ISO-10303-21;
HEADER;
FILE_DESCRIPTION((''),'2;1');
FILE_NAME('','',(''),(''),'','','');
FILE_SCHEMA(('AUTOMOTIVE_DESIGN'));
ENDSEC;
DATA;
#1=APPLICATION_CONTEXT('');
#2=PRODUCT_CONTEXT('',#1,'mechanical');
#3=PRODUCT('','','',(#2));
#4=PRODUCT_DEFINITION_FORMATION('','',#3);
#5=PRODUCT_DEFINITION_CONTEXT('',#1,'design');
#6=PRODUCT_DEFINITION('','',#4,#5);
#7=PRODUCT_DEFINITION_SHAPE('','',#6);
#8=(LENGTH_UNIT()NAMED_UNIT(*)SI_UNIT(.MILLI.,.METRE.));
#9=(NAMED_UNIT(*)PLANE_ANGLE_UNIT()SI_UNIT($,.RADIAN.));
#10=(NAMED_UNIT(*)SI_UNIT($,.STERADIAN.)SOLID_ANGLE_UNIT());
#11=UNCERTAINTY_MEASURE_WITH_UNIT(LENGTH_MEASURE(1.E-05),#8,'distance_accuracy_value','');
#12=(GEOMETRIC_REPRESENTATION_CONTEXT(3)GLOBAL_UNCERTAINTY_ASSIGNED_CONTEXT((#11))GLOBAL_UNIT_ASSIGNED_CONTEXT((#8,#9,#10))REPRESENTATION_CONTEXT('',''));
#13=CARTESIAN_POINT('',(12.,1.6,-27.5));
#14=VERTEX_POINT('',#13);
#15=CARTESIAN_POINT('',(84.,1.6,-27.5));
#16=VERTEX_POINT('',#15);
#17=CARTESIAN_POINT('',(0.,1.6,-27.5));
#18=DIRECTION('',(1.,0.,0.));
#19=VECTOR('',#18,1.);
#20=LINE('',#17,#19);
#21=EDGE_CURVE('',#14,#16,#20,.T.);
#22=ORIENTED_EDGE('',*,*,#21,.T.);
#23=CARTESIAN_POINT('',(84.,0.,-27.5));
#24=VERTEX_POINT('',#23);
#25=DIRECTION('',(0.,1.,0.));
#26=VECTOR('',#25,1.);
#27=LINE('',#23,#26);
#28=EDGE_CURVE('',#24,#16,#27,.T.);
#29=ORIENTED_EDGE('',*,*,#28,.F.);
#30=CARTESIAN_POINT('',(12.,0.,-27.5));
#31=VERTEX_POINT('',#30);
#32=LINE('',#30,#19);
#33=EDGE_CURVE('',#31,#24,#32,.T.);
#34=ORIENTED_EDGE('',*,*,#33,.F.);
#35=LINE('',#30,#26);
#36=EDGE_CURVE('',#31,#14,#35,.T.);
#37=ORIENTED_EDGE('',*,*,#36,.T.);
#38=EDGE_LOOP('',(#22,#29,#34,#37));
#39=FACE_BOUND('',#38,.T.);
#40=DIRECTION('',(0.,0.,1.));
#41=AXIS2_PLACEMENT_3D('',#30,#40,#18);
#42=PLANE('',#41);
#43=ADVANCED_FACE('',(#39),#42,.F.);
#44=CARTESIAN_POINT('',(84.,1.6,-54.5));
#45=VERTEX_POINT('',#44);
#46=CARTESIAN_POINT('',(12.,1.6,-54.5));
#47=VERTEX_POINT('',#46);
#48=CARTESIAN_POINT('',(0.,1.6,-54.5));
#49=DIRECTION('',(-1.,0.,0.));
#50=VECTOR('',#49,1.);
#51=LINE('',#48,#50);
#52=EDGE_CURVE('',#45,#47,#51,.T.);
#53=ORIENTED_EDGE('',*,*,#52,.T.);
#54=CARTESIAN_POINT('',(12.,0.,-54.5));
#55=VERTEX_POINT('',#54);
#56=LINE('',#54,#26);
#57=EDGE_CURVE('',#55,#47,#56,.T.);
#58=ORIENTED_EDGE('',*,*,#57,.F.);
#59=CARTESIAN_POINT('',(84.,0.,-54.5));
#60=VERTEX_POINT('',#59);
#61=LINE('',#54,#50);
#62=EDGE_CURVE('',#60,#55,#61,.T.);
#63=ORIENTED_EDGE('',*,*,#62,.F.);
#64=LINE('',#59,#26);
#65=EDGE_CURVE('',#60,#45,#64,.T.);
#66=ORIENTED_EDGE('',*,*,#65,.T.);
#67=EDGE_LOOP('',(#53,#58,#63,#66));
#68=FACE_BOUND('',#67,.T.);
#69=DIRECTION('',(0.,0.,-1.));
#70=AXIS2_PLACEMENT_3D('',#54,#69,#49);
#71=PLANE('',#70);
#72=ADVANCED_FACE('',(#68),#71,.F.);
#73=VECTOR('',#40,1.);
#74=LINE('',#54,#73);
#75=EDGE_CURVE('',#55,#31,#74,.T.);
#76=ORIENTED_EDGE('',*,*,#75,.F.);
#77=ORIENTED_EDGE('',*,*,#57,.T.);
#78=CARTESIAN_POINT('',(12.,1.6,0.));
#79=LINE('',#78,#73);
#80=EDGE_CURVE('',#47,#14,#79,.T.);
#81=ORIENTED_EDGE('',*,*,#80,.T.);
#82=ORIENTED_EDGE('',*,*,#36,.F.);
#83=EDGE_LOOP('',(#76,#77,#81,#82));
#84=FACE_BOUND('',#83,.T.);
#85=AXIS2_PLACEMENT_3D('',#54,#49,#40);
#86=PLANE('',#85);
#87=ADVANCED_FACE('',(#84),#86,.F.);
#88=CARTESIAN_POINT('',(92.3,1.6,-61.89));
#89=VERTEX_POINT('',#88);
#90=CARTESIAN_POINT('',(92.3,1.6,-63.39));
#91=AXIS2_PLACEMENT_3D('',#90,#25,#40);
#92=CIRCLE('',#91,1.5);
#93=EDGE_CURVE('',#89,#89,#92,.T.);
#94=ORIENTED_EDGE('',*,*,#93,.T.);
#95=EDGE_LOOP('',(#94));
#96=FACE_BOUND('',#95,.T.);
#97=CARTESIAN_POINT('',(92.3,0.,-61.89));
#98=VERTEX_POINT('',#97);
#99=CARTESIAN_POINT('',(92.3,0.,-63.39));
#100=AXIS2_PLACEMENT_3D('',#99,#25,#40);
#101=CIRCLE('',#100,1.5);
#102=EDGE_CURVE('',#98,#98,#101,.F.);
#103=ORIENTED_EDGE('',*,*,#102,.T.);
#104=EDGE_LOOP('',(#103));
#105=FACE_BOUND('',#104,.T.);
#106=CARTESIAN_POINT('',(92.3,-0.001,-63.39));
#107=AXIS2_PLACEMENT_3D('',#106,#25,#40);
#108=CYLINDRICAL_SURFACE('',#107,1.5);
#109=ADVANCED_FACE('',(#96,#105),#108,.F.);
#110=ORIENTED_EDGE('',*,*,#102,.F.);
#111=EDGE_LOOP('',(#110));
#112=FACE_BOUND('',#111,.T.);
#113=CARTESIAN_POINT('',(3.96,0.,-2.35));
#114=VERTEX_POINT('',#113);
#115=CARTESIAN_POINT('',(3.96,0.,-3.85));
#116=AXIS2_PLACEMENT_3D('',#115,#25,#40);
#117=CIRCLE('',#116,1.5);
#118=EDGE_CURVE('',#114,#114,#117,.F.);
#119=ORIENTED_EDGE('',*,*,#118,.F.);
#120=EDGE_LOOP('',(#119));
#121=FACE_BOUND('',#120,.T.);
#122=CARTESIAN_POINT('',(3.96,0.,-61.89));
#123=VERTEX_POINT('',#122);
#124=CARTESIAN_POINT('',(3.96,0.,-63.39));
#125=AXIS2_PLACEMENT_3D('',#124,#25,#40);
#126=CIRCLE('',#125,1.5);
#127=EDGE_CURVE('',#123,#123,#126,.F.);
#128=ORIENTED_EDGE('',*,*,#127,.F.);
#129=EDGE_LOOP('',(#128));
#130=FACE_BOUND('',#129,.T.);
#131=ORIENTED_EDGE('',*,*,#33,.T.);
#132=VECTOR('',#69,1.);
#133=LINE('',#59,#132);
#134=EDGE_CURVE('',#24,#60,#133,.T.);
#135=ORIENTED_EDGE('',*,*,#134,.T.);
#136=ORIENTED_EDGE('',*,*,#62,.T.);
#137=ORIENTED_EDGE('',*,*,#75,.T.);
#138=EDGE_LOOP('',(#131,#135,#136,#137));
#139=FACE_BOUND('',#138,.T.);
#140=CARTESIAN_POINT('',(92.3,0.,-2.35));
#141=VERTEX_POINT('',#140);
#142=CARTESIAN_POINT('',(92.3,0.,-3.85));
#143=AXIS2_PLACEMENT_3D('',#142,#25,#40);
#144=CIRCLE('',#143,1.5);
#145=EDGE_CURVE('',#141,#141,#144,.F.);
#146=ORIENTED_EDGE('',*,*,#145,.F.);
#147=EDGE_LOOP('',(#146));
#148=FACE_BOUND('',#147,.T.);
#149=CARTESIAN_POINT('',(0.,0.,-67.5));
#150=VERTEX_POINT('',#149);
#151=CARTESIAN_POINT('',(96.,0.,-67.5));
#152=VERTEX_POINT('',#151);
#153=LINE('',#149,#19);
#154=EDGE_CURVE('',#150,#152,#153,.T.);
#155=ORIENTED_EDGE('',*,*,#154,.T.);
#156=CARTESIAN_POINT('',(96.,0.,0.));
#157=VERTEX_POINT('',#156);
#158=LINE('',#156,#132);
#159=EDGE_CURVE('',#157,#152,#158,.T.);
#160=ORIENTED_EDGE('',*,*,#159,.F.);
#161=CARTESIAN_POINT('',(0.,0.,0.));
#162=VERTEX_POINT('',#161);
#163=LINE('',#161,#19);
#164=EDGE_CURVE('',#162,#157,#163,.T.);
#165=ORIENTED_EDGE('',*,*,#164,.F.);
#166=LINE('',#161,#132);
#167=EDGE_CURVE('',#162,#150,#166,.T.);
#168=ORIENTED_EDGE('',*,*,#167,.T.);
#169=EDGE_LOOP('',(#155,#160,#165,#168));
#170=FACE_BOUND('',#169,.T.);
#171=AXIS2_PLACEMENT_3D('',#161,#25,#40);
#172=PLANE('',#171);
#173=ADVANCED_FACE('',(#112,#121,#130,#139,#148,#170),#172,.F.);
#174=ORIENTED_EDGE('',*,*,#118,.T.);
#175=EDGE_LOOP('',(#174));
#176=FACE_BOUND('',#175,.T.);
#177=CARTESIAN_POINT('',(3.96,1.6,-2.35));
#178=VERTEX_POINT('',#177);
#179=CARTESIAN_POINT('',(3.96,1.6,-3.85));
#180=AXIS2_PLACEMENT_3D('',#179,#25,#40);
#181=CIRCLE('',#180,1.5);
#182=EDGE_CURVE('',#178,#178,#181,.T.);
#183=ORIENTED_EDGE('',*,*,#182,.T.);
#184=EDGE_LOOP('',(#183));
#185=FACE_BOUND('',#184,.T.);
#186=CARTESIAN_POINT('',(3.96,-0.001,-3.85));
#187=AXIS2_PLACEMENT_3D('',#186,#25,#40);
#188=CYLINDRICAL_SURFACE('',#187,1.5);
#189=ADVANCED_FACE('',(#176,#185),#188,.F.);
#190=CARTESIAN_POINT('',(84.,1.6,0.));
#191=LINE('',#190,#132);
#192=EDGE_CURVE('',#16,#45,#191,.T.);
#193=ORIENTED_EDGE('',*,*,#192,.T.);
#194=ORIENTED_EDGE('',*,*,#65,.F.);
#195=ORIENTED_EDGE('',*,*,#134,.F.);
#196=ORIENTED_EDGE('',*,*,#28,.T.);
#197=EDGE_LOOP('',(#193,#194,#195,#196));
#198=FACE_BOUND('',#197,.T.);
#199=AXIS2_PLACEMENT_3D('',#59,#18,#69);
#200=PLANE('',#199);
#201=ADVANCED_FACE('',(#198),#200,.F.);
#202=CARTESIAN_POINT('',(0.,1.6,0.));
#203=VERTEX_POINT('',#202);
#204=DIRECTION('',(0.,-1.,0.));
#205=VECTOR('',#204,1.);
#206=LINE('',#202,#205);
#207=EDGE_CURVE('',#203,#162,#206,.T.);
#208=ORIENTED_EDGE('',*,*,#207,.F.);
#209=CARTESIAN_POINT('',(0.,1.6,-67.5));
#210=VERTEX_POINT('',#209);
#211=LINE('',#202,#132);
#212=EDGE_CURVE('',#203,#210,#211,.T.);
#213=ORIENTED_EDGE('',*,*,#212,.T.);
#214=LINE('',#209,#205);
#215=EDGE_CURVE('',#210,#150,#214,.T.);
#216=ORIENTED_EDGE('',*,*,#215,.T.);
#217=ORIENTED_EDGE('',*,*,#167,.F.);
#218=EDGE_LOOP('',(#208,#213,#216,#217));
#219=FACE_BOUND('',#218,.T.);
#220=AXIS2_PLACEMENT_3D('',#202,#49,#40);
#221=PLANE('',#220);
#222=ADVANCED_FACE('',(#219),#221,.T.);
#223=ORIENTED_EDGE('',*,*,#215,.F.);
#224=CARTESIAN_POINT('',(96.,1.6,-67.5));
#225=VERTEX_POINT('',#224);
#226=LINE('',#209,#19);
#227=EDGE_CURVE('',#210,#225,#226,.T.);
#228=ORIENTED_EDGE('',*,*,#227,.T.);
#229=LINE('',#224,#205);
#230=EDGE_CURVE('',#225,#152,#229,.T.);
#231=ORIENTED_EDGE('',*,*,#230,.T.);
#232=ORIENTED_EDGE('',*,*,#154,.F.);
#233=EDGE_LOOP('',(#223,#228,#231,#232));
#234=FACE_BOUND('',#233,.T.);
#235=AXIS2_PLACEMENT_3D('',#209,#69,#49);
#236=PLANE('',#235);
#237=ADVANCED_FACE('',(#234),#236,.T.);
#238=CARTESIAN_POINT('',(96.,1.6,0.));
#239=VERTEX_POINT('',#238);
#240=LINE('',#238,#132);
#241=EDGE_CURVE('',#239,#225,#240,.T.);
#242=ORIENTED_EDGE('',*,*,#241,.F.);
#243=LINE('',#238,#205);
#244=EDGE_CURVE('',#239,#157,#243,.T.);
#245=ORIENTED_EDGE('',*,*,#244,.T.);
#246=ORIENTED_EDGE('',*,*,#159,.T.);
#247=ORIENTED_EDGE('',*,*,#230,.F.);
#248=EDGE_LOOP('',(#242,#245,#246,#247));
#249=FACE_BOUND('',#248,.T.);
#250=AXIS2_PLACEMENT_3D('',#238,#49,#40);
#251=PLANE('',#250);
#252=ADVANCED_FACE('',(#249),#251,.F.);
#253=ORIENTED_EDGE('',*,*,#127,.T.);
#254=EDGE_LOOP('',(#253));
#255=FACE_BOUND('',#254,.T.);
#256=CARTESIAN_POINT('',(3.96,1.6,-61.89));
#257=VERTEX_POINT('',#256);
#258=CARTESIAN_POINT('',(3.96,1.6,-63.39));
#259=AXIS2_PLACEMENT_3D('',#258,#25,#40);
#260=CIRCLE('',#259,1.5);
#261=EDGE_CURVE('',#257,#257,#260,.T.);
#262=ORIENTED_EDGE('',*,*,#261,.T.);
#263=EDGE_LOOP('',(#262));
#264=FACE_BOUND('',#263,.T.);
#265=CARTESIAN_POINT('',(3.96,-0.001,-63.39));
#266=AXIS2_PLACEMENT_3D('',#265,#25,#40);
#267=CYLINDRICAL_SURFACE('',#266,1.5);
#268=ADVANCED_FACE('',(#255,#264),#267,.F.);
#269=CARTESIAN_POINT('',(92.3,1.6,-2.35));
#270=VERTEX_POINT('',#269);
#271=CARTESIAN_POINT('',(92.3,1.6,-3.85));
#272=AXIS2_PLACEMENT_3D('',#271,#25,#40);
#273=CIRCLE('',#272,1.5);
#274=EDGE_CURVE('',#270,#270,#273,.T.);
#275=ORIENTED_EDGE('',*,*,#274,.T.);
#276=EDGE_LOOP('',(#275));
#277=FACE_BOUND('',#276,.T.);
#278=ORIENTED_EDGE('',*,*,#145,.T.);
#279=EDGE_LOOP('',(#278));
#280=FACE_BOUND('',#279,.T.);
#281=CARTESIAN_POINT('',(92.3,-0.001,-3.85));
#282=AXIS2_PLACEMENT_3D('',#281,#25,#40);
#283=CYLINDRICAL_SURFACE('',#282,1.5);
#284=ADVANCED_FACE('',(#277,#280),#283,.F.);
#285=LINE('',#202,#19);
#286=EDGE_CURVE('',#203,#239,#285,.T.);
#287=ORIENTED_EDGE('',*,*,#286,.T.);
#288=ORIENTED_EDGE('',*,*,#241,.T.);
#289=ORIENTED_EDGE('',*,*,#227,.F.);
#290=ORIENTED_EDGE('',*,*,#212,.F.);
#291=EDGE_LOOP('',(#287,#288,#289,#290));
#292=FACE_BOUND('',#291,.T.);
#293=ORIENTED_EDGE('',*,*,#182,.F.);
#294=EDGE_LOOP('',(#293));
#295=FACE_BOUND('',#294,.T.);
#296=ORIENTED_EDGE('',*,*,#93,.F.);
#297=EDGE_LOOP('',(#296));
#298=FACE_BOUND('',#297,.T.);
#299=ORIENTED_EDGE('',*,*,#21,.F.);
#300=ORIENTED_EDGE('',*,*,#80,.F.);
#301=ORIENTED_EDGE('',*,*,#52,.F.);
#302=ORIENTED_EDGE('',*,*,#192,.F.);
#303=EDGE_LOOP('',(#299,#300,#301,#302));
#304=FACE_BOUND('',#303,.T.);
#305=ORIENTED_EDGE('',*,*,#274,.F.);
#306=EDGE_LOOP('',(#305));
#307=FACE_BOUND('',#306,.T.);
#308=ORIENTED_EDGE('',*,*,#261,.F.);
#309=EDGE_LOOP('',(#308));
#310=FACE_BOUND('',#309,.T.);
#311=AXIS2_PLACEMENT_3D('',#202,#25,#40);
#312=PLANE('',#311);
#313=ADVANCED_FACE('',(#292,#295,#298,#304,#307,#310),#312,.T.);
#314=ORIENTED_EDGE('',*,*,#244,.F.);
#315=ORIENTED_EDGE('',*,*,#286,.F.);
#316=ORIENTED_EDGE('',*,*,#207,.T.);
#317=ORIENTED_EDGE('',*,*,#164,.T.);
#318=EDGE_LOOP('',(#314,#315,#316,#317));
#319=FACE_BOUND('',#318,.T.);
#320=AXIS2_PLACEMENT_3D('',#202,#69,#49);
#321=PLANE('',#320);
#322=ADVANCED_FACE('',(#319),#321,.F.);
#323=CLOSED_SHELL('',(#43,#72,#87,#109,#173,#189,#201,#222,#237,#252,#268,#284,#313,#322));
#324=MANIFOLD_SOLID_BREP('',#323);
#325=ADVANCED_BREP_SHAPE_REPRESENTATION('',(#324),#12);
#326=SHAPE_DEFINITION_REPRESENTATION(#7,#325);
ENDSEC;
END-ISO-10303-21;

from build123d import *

# Parameters (mm, degrees)
SKETCH1_W               = 96
SKETCH1_H               = 67.5
BOSS_EXTRUDE1_DEPTH     = 1.6
CUT_EXTRUDE1_REACH      = 119.366
SKETCH2_R               = 1.5
CUT_EXTRUDE2_DEPTH      = 118.366136513
CUT_EXTRUDE2_DEPTH_BACK = 118.366136513
SKETCH3_W               = 72
SKETCH3_H               = 27


with BuildPart() as part:
    # Sketch1 → Boss-Extrude1 (new body)
    with BuildSketch(Plane(origin=(0, 0, 0), x_dir=(1, 0, 0), z_dir=(0, 1, 0))):
        with Locations((48, 33.75)):
            Rectangle(SKETCH1_W, SKETCH1_H)
    extrude(amount=BOSS_EXTRUDE1_DEPTH)

    # Sketch2 → Cut-Extrude1 (cut, up to next)
    with BuildSketch(Plane(origin=(0, 1.6, 0), x_dir=(1, 0, 0), z_dir=(0, 1, 0)), mode=Mode.PRIVATE) as cut_extrude1_sk1:
        with Locations(Location((3.96, 3.85, 0), (0, 0, 270))):
            Circle(SKETCH2_R)
    cut_extrude1_tool1 = extrude(cut_extrude1_sk1.sketch, amount=-CUT_EXTRUDE1_REACH, mode=Mode.PRIVATE) & part.part
    # Sketch2 → Cut-Extrude1 (cut, up to next)
    with BuildSketch(Plane(origin=(0, 1.6, 0), x_dir=(1, 0, 0), z_dir=(0, 1, 0)), mode=Mode.PRIVATE) as cut_extrude1_sk2:
        with Locations(Location((92.3, 3.85, 0), (0, 0, 270))):
            Circle(SKETCH2_R)
    cut_extrude1_tool2 = extrude(cut_extrude1_sk2.sketch, amount=-CUT_EXTRUDE1_REACH, mode=Mode.PRIVATE) & part.part
    # Sketch2 → Cut-Extrude1 (cut, up to next)
    with BuildSketch(Plane(origin=(0, 1.6, 0), x_dir=(1, 0, 0), z_dir=(0, 1, 0)), mode=Mode.PRIVATE) as cut_extrude1_sk3:
        with Locations(Location((3.96, 63.39, 0), (0, 0, 270))):
            Circle(SKETCH2_R)
    cut_extrude1_tool3 = extrude(cut_extrude1_sk3.sketch, amount=-CUT_EXTRUDE1_REACH, mode=Mode.PRIVATE) & part.part
    # Sketch2 → Cut-Extrude1 (cut, up to next)
    with BuildSketch(Plane(origin=(0, 1.6, 0), x_dir=(1, 0, 0), z_dir=(0, 1, 0)), mode=Mode.PRIVATE) as cut_extrude1_sk4:
        with Locations(Location((92.3, 63.39, 0), (0, 0, 270))):
            Circle(SKETCH2_R)
    cut_extrude1_tool4 = extrude(cut_extrude1_sk4.sketch, amount=-CUT_EXTRUDE1_REACH, mode=Mode.PRIVATE) & part.part
    add(cut_extrude1_tool1.solids().sort_by_distance((3.96, 1.6, -3.85))[0], mode=Mode.SUBTRACT)
    add(cut_extrude1_tool2.solids().sort_by_distance((92.3, 1.6, -3.85))[0], mode=Mode.SUBTRACT)
    add(cut_extrude1_tool3.solids().sort_by_distance((3.96, 1.6, -63.39))[0], mode=Mode.SUBTRACT)
    add(cut_extrude1_tool4.solids().sort_by_distance((92.3, 1.6, -63.39))[0], mode=Mode.SUBTRACT)

    # Sketch3 → Cut-Extrude2 (cut, two sides: drawn at the far end of the back side and taken through both)
    with BuildSketch(Plane(origin=(0, 1.6, 0), x_dir=(1, 0, 0), z_dir=(0, 1, 0)).offset(-CUT_EXTRUDE2_DEPTH_BACK)):
        with Locations((48, 41)):
            Rectangle(SKETCH3_W, SKETCH3_H)
    extrude(amount=CUT_EXTRUDE2_DEPTH + CUT_EXTRUDE2_DEPTH_BACK, mode=Mode.SUBTRACT)


solid = part.part
